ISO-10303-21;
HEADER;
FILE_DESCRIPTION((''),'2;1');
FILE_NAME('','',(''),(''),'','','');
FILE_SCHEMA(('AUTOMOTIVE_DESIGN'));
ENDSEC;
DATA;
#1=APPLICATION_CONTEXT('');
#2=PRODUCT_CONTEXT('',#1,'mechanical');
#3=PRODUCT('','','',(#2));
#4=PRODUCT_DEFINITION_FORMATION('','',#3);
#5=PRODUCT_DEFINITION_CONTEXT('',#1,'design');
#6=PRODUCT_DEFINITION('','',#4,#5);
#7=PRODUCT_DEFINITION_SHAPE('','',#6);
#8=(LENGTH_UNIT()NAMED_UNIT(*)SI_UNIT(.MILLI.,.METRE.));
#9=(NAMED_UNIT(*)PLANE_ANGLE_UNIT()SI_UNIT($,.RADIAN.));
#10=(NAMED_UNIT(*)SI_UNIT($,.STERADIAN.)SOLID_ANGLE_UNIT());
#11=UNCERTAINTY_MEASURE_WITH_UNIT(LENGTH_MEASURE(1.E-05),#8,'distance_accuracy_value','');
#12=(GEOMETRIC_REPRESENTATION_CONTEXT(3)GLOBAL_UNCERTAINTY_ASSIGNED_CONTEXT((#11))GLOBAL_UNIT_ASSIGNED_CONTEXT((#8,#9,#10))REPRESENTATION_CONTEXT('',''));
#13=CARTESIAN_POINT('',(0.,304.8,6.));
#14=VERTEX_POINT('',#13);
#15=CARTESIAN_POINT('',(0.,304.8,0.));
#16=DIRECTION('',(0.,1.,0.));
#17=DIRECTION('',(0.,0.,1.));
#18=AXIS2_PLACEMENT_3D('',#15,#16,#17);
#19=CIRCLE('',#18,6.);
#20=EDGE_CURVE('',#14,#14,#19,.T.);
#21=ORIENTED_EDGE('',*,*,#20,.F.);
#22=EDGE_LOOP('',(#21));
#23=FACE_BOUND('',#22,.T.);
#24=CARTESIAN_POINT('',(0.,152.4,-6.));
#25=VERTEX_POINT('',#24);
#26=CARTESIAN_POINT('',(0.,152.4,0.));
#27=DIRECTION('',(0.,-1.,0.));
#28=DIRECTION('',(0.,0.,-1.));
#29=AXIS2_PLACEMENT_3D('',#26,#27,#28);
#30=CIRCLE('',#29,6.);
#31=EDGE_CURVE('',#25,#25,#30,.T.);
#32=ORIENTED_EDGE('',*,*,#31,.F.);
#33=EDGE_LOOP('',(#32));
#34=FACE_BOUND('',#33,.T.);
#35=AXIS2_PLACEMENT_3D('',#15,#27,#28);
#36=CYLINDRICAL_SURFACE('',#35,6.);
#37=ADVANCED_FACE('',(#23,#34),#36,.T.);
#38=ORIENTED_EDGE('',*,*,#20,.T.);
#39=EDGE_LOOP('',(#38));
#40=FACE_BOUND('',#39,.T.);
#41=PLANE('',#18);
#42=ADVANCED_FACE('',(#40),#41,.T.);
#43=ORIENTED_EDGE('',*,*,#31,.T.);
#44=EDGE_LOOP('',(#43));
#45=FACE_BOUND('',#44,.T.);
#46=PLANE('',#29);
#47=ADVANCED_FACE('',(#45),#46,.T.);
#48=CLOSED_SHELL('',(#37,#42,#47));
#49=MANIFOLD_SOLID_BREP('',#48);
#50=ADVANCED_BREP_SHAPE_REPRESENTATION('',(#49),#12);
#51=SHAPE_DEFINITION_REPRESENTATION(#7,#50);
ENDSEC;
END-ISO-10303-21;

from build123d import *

# Parameters (mm, degrees)
SKETCH1_R           = 6
BOSS_EXTRUDE1_DEPTH = 304.8
SKETCH2_R           = 11.261992414
CUT_EXTRUDE1_DEPTH  = 152.4


with BuildPart() as part:
    # Sketch1 → Boss-Extrude1 (new body)
    with BuildSketch(Plane(origin=(0, 0, 0), x_dir=(1, 0, 0), z_dir=(0, 1, 0))):
        Circle(SKETCH1_R)
    extrude(amount=BOSS_EXTRUDE1_DEPTH)

    # Sketch2 → Cut-Extrude1 (cut)
    with BuildSketch(Plane.XZ):
        Circle(SKETCH2_R)
    extrude(amount=-CUT_EXTRUDE1_DEPTH, mode=Mode.SUBTRACT)


solid = part.part
